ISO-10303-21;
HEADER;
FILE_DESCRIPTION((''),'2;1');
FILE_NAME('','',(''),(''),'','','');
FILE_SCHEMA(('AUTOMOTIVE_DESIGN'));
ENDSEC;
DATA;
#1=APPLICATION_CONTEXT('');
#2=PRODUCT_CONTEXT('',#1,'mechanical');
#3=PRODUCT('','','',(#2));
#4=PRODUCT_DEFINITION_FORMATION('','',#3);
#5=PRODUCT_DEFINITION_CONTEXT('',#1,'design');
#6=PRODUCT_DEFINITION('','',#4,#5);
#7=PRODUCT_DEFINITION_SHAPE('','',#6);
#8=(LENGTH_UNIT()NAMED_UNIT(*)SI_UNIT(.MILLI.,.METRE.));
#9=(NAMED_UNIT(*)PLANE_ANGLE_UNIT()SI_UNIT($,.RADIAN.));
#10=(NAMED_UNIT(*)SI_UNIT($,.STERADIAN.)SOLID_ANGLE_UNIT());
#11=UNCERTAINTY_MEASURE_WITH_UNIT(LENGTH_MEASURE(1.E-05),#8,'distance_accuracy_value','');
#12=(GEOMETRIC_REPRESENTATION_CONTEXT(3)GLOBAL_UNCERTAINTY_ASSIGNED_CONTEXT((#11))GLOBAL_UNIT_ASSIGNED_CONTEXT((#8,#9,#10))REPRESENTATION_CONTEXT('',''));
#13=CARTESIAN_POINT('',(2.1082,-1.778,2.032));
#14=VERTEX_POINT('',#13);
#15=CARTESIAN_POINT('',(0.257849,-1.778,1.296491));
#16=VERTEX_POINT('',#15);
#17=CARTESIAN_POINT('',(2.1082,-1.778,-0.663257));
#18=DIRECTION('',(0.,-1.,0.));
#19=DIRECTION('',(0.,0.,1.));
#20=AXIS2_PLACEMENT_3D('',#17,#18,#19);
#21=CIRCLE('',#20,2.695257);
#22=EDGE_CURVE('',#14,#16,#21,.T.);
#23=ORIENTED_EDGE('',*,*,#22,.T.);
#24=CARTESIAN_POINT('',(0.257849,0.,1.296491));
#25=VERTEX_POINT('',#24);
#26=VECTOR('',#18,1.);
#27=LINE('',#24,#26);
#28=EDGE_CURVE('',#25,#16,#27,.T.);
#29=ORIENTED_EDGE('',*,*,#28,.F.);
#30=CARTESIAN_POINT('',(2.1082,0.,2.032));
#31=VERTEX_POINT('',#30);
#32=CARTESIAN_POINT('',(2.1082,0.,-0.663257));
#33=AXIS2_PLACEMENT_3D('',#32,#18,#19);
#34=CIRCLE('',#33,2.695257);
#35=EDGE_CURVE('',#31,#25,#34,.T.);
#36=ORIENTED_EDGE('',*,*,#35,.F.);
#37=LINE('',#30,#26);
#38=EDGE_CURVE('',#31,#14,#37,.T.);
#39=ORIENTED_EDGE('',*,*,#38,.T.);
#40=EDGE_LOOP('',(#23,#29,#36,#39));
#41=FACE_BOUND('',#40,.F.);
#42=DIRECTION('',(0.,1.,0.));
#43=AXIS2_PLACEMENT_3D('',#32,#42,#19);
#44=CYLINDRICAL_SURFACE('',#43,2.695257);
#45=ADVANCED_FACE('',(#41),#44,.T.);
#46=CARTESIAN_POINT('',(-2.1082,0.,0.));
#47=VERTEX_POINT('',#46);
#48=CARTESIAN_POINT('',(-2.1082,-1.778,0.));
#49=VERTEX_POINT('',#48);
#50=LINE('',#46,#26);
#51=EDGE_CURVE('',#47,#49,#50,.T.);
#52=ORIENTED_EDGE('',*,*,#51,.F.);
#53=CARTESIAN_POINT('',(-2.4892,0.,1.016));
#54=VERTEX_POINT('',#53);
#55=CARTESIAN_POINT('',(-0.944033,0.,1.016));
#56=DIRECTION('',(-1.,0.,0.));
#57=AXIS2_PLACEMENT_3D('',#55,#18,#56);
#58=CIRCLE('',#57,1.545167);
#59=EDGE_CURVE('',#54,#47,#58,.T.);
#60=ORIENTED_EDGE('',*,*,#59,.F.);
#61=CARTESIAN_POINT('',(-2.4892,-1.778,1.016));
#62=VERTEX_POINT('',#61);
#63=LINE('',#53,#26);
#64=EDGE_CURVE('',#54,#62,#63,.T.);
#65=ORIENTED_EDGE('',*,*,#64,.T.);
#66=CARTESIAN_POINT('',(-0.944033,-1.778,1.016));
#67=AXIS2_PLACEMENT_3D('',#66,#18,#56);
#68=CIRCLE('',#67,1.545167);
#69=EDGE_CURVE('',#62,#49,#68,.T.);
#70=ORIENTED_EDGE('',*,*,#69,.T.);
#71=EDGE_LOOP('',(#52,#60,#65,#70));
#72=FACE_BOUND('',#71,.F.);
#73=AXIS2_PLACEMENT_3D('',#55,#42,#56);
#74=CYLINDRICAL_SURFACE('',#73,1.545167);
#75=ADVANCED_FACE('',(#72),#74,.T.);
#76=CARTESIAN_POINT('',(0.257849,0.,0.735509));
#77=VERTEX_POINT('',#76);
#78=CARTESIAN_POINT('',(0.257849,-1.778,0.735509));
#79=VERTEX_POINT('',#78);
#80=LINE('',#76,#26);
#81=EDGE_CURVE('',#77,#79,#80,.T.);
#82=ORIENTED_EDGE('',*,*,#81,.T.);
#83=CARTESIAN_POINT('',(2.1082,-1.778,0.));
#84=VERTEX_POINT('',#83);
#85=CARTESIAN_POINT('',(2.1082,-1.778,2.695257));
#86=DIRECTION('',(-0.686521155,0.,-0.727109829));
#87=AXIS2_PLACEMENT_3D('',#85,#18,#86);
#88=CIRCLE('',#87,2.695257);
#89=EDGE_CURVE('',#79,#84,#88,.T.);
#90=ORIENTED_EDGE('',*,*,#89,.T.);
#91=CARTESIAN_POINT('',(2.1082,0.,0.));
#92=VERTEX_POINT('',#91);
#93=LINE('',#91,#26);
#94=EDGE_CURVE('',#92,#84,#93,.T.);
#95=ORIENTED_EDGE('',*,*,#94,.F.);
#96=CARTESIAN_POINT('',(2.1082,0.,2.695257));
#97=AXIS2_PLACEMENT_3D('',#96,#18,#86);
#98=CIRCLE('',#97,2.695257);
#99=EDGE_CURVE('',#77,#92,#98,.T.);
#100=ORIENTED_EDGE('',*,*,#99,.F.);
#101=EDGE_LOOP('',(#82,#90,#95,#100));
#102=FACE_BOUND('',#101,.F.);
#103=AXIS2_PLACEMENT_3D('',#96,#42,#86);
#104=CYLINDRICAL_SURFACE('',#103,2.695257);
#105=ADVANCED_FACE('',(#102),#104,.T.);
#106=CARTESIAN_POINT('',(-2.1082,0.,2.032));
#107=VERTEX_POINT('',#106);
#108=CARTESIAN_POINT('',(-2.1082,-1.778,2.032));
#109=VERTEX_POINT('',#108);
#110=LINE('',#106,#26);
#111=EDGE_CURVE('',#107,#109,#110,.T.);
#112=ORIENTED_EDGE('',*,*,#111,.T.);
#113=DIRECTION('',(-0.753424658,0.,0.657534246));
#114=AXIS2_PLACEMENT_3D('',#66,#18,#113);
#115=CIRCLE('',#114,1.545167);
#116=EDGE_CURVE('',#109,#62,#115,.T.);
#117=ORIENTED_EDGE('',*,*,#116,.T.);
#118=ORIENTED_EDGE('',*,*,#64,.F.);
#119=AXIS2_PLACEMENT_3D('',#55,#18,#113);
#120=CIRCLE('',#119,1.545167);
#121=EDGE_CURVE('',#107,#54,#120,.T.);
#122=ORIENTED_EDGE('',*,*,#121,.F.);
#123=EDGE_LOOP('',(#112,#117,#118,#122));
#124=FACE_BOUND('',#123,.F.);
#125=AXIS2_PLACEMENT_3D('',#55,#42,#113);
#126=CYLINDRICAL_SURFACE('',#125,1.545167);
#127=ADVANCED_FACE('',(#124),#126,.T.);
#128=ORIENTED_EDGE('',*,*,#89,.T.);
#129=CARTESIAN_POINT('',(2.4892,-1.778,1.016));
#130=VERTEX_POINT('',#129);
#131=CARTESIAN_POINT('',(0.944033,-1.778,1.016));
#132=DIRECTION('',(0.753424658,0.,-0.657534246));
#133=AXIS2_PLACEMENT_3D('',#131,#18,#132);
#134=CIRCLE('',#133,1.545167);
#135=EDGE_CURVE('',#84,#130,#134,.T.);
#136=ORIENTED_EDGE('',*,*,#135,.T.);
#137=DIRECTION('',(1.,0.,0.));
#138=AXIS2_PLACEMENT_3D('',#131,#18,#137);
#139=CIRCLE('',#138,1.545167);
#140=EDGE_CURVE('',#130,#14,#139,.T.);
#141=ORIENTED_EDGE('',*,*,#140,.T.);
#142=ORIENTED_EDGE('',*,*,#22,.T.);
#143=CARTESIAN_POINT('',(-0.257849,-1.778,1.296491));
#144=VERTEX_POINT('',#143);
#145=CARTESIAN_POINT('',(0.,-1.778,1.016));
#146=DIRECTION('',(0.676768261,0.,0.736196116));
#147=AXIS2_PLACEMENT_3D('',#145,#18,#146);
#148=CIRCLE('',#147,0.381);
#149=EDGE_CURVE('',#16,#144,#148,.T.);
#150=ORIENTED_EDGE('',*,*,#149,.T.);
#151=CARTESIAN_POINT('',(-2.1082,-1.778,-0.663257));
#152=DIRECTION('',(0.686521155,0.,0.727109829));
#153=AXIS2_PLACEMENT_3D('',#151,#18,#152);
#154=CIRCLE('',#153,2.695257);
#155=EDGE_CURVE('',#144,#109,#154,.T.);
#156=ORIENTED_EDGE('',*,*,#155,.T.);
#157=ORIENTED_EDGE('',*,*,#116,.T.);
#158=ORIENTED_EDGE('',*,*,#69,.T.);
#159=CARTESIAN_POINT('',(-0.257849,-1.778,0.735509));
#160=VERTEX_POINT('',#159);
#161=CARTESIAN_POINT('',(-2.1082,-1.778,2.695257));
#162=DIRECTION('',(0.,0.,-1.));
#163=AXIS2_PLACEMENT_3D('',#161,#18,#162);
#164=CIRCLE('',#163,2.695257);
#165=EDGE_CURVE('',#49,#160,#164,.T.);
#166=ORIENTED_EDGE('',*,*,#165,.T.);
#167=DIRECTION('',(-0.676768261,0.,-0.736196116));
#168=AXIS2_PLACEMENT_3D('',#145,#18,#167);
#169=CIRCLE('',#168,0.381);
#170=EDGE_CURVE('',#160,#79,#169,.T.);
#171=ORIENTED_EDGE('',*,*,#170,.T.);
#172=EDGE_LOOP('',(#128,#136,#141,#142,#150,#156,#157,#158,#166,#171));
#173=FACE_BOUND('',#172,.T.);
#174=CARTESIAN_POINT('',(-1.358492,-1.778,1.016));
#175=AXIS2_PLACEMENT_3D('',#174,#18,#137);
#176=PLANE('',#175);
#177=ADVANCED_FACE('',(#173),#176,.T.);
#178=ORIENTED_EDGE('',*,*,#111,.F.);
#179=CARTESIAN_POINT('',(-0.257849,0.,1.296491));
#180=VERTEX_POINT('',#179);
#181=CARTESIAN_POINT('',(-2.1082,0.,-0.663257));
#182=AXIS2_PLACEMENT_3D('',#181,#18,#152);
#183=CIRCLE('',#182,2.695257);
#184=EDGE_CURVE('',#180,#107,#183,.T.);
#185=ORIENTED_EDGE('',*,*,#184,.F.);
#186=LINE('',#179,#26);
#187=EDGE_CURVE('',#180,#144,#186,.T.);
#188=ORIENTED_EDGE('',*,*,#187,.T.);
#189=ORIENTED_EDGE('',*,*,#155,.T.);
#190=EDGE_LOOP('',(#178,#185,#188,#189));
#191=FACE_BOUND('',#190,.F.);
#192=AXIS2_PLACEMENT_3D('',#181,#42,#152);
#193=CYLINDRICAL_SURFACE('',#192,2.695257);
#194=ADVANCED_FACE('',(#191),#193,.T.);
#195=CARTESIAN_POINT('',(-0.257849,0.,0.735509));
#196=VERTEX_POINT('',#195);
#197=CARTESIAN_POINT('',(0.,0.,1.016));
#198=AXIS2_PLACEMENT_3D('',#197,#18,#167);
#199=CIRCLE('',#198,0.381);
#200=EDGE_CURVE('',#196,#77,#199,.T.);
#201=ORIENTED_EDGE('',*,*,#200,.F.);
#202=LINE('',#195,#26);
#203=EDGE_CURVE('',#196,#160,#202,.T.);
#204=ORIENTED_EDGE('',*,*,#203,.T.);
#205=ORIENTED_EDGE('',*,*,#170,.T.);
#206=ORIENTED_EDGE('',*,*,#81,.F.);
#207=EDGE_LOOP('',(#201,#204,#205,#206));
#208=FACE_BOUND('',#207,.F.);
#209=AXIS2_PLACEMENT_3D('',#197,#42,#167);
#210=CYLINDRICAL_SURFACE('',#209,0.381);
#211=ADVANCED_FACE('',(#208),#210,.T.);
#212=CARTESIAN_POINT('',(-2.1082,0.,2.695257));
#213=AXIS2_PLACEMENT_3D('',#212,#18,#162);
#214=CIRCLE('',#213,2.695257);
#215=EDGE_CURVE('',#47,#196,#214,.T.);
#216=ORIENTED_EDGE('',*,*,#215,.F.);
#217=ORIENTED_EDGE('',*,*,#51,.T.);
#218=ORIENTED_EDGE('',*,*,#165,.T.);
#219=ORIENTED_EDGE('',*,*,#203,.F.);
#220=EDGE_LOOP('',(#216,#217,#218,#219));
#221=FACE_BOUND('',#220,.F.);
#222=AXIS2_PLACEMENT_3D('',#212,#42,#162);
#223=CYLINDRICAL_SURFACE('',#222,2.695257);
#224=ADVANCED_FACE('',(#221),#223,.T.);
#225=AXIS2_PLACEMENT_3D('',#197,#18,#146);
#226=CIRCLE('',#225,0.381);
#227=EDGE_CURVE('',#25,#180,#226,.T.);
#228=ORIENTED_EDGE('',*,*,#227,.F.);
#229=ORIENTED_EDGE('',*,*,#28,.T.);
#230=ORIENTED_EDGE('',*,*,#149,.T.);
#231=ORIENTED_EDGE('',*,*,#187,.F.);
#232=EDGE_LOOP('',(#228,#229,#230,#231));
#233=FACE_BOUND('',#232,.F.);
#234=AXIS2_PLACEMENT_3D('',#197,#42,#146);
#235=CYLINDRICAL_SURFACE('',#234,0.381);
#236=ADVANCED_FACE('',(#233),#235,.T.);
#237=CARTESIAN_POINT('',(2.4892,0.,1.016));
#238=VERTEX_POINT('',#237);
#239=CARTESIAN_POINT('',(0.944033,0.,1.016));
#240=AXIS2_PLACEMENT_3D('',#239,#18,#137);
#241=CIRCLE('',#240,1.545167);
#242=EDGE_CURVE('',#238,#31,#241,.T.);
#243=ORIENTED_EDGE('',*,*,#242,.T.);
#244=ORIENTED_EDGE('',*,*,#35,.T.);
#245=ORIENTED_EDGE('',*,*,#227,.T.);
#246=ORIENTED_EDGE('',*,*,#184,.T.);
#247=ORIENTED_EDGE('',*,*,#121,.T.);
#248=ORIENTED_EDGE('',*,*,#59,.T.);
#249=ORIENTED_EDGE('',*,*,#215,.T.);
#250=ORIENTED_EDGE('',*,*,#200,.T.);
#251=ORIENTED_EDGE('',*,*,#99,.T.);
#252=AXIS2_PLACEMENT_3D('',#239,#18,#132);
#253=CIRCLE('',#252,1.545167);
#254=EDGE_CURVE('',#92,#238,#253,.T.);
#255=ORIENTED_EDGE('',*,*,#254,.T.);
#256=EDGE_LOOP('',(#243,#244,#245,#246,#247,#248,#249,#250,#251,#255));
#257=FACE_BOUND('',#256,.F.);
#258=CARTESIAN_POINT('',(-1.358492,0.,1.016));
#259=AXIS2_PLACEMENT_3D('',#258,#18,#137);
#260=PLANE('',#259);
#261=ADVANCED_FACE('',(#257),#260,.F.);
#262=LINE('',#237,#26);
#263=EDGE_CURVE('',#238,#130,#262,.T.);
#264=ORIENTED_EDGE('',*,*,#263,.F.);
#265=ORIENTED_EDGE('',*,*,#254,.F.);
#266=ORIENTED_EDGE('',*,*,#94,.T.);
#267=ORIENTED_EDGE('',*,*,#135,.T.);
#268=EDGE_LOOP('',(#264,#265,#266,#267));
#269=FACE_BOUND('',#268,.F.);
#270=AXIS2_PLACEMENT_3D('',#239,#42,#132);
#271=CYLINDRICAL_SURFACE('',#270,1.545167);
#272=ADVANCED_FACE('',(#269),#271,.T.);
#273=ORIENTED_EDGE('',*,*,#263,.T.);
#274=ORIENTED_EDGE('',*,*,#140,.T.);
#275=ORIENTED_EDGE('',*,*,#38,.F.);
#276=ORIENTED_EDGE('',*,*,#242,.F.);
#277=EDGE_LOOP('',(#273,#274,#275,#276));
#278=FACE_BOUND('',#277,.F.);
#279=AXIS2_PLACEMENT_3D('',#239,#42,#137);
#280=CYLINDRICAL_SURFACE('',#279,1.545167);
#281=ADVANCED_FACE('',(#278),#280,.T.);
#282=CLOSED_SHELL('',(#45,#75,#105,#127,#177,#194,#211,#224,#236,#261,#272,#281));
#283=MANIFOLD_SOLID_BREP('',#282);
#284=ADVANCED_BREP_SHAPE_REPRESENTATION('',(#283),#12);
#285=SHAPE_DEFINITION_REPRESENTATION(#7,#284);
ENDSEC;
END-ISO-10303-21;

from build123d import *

# Parameters (mm, degrees)
F1_DEPTH = 1.778


with BuildPart() as f1:
    # F0 (on Front) → F1 (new body)
    with BuildSketch(Plane.XZ):
        with BuildLine():
            ThreePointArc((-0.2578487076, 1.29649072), (-1.1126130115, 1.8413821028), (-2.1082, 2.032))
            Line((-2.1082, 2.032), (-2.1082, 1.016))
            Line((-2.1082, 1.016), (-2.1082, 0))
            ThreePointArc((-2.1082, 0), (-1.1126130115, 0.1906178972), (-0.2578487076, 0.73550928))
            ThreePointArc((-0.2578487076, 0.73550928), (-0.381, 1.016), (-0.2578487076, 1.29649072))
        make_face()
        with BuildLine():
            Line((-2.1082, 1.016), (-2.1082, 2.032))
            ThreePointArc((-2.1082, 2.032), (-2.3908179675, 1.5585442378), (-2.4892, 1.016))
            Line((-2.4892, 1.016), (-2.1082, 1.016))
        make_face()
        with BuildLine():
            Line((-2.1082, 0), (-2.1082, 1.016))
            Line((-2.1082, 1.016), (-2.4892, 1.016))
            ThreePointArc((-2.4892, 1.016), (-2.3908179675, 0.4734557622), (-2.1082, 0))
        make_face()
        with BuildLine():
            ThreePointArc((0, 1.016), (-0.1239618982, 1.160807232), (-0.2578487076, 1.29649072))
            ThreePointArc((-0.2578487076, 1.29649072), (-0.381, 1.016), (-0.2578487076, 0.73550928))
            ThreePointArc((-0.2578487076, 0.73550928), (-0.1239618982, 0.871192768), (0, 1.016))
        make_face()
        with BuildLine():
            ThreePointArc((0.2578487076, 1.29649072), (0, 1.397), (-0.2578487076, 1.29649072))
            ThreePointArc((-0.2578487076, 1.29649072), (-0.1239618982, 1.160807232), (0, 1.016))
            ThreePointArc((0, 1.016), (0.1239618982, 1.160807232), (0.2578487076, 1.29649072))
        make_face()
        with BuildLine():
            ThreePointArc((2.1082, 2.032), (1.1126130115, 1.8413821028), (0.2578487076, 1.29649072))
            ThreePointArc((0.2578487076, 1.29649072), (0.3488562437, 1.1691676246), (0.381, 1.016))
            ThreePointArc((0.381, 1.016), (0.3488562437, 0.8628323754), (0.2578487076, 0.73550928))
            ThreePointArc((0.2578487076, 0.73550928), (1.1126130115, 0.1906178972), (2.1082, 0))
            Line((2.1082, 0), (2.1082, 1.016))
            Line((2.1082, 1.016), (2.1082, 2.032))
        make_face()
        with BuildLine():
            ThreePointArc((0.381, 1.016), (0.3488562437, 1.1691676246), (0.2578487076, 1.29649072))
            ThreePointArc((0.2578487076, 1.29649072), (0.1239618982, 1.160807232), (0, 1.016))
            ThreePointArc((0, 1.016), (0.1239618982, 0.871192768), (0.2578487076, 0.73550928))
            ThreePointArc((0.2578487076, 0.73550928), (0.3488562437, 0.8628323754), (0.381, 1.016))
        make_face()
        with BuildLine():
            ThreePointArc((0, 1.016), (-0.1239618982, 0.871192768), (-0.2578487076, 0.73550928))
            ThreePointArc((-0.2578487076, 0.73550928), (0, 0.635), (0.2578487076, 0.73550928))
            ThreePointArc((0.2578487076, 0.73550928), (0.1239618982, 0.871192768), (0, 1.016))
        make_face()
        with BuildLine():
            ThreePointArc((2.4892, 1.016), (2.3908179675, 1.5585442378), (2.1082, 2.032))
            Line((2.1082, 2.032), (2.1082, 1.016))
            Line((2.1082, 1.016), (2.4892, 1.016))
        make_face()
        with BuildLine():
            Line((2.4892, 1.016), (2.1082, 1.016))
            Line((2.1082, 1.016), (2.1082, 0))
            ThreePointArc((2.1082, 0), (2.3908179675, 0.4734557622), (2.4892, 1.016))
        make_face()
    extrude(amount=F1_DEPTH)


solid = f1.part
